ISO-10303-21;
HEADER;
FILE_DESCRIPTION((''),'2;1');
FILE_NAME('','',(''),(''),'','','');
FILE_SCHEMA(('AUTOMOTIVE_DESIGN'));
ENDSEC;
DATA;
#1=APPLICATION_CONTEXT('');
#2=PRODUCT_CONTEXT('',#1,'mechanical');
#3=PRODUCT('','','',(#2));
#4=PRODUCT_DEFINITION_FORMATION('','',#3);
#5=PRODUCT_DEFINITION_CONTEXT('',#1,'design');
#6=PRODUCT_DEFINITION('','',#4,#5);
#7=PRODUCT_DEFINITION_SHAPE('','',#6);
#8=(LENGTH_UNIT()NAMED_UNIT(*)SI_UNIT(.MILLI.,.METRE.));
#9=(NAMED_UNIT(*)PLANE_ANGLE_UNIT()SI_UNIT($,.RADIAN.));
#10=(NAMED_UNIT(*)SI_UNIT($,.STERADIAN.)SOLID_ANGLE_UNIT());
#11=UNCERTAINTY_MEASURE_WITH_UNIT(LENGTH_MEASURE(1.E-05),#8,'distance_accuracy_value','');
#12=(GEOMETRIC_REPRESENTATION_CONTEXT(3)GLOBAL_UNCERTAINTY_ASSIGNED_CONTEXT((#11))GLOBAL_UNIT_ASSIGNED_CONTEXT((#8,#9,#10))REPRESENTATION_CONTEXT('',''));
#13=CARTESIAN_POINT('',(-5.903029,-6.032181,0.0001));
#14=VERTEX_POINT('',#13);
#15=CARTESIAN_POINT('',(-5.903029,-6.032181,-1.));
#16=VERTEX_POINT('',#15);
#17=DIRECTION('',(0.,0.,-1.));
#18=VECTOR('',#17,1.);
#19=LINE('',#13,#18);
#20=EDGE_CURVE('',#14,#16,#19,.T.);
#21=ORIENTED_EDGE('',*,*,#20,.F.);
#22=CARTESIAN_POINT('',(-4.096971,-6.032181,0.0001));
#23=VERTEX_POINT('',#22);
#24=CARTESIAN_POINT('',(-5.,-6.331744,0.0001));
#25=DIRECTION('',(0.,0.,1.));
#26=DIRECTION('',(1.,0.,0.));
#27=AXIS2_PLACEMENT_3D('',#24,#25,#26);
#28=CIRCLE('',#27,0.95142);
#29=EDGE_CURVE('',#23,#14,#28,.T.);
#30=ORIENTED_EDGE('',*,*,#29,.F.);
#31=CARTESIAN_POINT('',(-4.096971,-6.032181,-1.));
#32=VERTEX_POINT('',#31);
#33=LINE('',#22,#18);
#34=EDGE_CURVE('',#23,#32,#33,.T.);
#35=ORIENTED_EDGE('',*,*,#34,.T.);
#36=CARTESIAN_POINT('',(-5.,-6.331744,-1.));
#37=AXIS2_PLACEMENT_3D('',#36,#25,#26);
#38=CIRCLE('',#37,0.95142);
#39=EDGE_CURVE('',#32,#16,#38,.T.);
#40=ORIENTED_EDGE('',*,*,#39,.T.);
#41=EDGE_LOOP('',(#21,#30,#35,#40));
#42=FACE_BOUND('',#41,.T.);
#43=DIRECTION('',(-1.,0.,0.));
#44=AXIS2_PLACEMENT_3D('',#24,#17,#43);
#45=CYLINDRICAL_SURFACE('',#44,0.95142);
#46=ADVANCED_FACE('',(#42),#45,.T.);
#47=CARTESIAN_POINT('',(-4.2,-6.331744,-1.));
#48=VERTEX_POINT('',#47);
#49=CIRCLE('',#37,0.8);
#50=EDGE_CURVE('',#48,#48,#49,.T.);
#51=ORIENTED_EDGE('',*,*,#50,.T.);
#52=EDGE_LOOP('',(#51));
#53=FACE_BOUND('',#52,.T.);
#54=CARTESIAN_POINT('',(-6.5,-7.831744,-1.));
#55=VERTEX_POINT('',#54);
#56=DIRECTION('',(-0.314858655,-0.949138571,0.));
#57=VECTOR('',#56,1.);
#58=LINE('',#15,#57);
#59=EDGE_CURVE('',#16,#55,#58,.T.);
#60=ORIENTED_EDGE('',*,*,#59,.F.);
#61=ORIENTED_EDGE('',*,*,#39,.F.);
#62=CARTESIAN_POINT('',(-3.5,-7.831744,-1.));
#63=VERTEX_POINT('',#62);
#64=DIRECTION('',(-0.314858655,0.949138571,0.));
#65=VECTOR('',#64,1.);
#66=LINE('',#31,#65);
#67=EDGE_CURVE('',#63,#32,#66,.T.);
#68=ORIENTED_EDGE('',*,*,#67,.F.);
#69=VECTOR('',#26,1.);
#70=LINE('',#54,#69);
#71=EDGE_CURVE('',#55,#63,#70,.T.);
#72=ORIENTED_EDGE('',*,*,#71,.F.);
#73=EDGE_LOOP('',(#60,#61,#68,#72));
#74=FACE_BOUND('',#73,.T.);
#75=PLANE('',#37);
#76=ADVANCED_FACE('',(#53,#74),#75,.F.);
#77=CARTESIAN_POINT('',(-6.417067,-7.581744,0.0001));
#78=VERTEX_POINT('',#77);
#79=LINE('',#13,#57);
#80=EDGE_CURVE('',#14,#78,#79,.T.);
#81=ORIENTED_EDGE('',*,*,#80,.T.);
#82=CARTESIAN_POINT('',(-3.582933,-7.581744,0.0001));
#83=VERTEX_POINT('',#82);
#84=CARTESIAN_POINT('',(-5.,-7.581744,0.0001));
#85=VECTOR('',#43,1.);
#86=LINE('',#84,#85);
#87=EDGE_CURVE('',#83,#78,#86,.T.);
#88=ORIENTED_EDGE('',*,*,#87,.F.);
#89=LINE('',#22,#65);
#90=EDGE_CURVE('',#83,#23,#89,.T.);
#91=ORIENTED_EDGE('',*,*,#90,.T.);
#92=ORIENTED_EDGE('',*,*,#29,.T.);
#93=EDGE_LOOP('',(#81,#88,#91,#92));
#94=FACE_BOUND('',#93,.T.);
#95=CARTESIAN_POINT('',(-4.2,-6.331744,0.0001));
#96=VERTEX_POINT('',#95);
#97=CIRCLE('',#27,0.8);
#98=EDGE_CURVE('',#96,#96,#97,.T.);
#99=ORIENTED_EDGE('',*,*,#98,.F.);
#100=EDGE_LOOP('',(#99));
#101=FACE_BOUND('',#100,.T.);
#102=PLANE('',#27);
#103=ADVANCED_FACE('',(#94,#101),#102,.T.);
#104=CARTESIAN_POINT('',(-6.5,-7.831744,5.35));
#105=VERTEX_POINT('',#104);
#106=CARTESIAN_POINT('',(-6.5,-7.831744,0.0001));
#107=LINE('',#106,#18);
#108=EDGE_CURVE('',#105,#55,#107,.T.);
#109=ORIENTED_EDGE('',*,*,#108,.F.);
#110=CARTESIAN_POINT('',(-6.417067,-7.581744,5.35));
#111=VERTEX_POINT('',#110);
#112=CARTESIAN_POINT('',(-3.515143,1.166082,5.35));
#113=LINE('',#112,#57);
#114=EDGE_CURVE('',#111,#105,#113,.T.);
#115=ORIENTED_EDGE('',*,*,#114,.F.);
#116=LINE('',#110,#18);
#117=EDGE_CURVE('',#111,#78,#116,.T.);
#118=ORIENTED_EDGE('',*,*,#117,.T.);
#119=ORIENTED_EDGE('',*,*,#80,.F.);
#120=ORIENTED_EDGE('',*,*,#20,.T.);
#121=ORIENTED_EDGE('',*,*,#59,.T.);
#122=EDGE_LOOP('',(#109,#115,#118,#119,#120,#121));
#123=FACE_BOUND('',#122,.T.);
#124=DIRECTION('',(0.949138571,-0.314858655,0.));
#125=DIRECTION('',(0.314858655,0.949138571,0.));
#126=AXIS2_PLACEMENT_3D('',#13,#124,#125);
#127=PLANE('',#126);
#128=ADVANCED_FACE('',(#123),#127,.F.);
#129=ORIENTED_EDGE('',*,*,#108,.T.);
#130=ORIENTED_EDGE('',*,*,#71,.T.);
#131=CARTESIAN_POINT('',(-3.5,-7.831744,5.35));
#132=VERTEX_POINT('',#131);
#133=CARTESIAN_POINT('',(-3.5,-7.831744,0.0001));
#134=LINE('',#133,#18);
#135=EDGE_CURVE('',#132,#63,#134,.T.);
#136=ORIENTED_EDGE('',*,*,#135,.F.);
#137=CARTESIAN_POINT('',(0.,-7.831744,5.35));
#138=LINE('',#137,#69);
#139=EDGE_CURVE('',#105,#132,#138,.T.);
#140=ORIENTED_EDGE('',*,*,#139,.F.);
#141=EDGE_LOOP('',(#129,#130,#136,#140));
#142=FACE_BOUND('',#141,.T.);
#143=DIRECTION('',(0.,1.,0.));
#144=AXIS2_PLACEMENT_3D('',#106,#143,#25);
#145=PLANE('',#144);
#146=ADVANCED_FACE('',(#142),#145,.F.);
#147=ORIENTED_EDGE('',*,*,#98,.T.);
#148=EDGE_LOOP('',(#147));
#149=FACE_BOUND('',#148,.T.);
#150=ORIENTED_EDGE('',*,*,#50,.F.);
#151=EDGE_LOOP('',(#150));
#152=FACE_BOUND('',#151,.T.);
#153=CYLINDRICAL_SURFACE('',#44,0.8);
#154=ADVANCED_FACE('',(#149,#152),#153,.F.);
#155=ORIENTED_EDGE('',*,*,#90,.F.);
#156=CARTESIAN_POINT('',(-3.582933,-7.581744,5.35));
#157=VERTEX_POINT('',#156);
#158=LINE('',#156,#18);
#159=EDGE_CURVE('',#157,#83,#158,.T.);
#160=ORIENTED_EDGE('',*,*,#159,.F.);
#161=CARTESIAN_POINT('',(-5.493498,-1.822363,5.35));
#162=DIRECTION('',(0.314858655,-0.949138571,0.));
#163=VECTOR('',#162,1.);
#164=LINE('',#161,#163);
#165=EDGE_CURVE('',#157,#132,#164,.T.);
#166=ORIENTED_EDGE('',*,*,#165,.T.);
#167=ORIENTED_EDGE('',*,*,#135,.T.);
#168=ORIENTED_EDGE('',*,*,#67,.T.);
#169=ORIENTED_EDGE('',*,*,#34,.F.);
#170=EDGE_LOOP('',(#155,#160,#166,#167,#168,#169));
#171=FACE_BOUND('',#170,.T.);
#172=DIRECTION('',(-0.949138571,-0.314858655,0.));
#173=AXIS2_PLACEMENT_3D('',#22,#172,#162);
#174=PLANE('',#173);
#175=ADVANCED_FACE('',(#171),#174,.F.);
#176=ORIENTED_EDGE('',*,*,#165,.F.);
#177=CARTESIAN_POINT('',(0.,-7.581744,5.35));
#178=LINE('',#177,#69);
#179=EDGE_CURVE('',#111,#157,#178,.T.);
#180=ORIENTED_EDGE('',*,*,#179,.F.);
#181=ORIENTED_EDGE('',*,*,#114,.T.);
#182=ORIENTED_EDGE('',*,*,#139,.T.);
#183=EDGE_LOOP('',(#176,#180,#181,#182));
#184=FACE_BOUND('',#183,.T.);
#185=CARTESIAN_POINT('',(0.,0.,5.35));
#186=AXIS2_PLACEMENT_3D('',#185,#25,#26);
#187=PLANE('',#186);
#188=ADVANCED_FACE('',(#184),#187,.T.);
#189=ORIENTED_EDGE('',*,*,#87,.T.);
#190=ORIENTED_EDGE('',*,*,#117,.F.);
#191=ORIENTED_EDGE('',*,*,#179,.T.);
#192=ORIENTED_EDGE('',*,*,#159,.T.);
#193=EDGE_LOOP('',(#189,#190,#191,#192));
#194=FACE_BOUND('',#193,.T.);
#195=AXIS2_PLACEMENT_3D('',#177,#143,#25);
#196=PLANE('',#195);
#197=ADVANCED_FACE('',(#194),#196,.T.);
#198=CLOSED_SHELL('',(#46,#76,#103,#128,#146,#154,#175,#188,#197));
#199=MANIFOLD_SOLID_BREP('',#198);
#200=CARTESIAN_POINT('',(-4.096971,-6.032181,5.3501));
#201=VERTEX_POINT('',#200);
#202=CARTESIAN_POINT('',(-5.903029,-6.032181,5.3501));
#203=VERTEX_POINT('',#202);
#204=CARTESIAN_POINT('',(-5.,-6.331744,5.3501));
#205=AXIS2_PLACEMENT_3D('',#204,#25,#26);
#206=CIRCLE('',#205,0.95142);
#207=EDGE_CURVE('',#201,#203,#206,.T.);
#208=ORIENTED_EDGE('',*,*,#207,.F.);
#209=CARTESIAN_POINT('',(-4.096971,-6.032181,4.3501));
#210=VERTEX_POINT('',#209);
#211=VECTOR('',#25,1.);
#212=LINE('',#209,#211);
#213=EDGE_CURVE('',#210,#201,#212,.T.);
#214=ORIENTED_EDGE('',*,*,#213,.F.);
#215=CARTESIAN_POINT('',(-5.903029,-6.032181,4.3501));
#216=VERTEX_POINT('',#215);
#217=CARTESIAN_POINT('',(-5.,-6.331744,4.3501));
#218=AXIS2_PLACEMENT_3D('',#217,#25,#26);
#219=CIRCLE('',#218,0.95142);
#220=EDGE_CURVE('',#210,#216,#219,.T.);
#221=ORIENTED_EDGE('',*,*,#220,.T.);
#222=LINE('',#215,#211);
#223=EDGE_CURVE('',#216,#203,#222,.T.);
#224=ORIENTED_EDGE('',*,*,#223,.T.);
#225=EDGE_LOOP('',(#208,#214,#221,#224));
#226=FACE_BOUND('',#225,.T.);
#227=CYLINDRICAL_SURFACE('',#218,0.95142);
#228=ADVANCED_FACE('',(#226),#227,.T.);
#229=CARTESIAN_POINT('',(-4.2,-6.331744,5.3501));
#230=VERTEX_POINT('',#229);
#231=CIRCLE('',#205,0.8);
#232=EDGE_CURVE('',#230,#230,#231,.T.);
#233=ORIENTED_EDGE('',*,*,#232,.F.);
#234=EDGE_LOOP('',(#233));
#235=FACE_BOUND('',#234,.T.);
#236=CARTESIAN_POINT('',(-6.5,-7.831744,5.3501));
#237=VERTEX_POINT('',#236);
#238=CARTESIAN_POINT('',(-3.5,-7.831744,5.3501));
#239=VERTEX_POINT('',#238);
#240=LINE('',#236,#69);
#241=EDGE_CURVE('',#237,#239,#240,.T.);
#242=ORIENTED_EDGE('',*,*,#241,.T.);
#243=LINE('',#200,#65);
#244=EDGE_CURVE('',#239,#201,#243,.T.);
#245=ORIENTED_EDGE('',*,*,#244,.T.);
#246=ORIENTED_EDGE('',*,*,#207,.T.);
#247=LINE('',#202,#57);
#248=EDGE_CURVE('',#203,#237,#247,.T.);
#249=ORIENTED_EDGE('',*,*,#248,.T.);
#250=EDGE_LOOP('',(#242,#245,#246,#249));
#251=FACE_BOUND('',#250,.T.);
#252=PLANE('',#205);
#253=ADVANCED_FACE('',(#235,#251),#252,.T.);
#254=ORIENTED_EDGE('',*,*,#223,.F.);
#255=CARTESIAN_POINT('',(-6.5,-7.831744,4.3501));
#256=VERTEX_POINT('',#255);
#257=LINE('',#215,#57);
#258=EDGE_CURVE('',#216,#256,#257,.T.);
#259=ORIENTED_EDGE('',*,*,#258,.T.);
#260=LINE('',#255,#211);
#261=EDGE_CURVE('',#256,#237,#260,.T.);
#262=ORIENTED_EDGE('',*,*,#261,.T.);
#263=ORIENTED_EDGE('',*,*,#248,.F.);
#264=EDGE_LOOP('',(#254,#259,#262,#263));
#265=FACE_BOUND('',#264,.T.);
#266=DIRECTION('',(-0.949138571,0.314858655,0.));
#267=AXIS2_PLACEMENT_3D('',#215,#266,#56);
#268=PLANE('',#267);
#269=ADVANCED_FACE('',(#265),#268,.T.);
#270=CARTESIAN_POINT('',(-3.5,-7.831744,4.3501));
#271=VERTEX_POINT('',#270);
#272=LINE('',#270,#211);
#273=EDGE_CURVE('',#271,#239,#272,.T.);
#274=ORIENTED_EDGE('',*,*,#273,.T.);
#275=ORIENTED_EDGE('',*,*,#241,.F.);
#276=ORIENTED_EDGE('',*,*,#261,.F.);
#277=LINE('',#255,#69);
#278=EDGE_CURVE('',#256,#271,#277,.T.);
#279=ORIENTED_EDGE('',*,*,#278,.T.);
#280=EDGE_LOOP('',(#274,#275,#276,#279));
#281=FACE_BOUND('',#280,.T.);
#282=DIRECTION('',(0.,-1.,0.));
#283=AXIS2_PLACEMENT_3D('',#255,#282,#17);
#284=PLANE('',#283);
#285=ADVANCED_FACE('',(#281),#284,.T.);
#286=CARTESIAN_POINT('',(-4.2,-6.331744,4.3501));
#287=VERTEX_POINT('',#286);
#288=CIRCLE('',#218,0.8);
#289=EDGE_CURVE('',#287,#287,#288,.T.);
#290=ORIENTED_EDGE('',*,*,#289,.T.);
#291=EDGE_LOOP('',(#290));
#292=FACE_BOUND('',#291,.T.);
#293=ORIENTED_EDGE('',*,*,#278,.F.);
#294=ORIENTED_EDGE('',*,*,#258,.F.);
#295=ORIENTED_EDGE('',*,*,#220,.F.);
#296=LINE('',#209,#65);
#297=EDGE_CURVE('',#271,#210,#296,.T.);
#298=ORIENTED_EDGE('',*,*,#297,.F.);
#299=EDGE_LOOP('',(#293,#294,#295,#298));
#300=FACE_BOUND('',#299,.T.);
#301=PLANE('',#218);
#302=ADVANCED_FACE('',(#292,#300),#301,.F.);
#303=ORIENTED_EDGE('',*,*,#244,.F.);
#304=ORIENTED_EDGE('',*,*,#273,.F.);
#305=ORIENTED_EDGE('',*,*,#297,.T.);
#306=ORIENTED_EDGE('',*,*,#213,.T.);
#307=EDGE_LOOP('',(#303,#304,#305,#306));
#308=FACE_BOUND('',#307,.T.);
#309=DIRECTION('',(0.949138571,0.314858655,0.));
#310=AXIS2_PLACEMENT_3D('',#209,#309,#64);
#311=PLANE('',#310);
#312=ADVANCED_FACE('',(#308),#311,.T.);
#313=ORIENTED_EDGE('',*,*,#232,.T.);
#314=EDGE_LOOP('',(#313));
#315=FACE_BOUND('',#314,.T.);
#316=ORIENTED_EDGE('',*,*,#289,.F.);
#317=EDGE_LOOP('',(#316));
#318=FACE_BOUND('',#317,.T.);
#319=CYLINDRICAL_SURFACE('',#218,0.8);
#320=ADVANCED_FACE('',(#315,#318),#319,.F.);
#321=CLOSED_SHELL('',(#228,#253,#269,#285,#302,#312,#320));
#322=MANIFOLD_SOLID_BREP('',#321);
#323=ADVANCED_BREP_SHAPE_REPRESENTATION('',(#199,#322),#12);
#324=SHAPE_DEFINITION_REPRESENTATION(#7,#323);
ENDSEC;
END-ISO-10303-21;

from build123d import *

# Parameters (mm, degrees)
BOSS_EXTRUDE2_DEPTH      = 0.0001
BOSS_EXTRUDE2_DEPTH_BACK = 1
SKETCH5_R                = 0.8
SKETCH7_R                = 0.8
BOSS_EXTRUDE3_DEPTH      = 1
BOSS_EXTRUDE4_DEPTH      = 5.35


with BuildPart() as part:
    # Sketch5 → Boss-Extrude2 (new, two sides: drawn at the far end of the back side and taken through both)
    with BuildSketch(Plane.XY.offset(-BOSS_EXTRUDE2_DEPTH_BACK)):
        with BuildLine():
            Line((-5.903029301, -6.032181157), (-6.5, -7.831743939))
            Line((-6.5, -7.831743939), (-3.5, -7.831743939))
            Line((-3.5, -7.831743939), (-4.096970699, -6.032181157))
            ThreePointArc((-4.096970699, -6.032181157), (-5, -5.380324064), (-5.903029301, -6.032181157))
        make_face()
        with Locations((-5, -6.331743939)):
            Circle(SKETCH5_R, mode=Mode.SUBTRACT)
    extrude(amount=BOSS_EXTRUDE2_DEPTH + BOSS_EXTRUDE2_DEPTH_BACK)

    # Sketch8 → Boss-Extrude4 (add)
    with BuildSketch(Plane.XY):
        Polygon((-6.417067259, -7.581743939), (-6.5, -7.831743939), (-3.5, -7.831743939), (-3.582932741, -7.581743939), align=None)
    extrude(amount=BOSS_EXTRUDE4_DEPTH)


with BuildPart() as body_2:
    # Sketch7 → Boss-Extrude3 (new body)
    with BuildSketch(Plane.XY.offset(5.3501)):
        with BuildLine():
            Line((-5.903029301, -6.032181157), (-6.5, -7.831743939))
            Line((-6.5, -7.831743939), (-3.5, -7.831743939))
            Line((-3.5, -7.831743939), (-4.096970699, -6.032181157))
            ThreePointArc((-4.096970699, -6.032181157), (-5, -5.380324064), (-5.903029301, -6.032181157))
        make_face()
        with Locations((-5, -6.331743939)):
            Circle(SKETCH7_R, mode=Mode.SUBTRACT)
    extrude(amount=-BOSS_EXTRUDE3_DEPTH)


solid = Compound([part.part, body_2.part])
